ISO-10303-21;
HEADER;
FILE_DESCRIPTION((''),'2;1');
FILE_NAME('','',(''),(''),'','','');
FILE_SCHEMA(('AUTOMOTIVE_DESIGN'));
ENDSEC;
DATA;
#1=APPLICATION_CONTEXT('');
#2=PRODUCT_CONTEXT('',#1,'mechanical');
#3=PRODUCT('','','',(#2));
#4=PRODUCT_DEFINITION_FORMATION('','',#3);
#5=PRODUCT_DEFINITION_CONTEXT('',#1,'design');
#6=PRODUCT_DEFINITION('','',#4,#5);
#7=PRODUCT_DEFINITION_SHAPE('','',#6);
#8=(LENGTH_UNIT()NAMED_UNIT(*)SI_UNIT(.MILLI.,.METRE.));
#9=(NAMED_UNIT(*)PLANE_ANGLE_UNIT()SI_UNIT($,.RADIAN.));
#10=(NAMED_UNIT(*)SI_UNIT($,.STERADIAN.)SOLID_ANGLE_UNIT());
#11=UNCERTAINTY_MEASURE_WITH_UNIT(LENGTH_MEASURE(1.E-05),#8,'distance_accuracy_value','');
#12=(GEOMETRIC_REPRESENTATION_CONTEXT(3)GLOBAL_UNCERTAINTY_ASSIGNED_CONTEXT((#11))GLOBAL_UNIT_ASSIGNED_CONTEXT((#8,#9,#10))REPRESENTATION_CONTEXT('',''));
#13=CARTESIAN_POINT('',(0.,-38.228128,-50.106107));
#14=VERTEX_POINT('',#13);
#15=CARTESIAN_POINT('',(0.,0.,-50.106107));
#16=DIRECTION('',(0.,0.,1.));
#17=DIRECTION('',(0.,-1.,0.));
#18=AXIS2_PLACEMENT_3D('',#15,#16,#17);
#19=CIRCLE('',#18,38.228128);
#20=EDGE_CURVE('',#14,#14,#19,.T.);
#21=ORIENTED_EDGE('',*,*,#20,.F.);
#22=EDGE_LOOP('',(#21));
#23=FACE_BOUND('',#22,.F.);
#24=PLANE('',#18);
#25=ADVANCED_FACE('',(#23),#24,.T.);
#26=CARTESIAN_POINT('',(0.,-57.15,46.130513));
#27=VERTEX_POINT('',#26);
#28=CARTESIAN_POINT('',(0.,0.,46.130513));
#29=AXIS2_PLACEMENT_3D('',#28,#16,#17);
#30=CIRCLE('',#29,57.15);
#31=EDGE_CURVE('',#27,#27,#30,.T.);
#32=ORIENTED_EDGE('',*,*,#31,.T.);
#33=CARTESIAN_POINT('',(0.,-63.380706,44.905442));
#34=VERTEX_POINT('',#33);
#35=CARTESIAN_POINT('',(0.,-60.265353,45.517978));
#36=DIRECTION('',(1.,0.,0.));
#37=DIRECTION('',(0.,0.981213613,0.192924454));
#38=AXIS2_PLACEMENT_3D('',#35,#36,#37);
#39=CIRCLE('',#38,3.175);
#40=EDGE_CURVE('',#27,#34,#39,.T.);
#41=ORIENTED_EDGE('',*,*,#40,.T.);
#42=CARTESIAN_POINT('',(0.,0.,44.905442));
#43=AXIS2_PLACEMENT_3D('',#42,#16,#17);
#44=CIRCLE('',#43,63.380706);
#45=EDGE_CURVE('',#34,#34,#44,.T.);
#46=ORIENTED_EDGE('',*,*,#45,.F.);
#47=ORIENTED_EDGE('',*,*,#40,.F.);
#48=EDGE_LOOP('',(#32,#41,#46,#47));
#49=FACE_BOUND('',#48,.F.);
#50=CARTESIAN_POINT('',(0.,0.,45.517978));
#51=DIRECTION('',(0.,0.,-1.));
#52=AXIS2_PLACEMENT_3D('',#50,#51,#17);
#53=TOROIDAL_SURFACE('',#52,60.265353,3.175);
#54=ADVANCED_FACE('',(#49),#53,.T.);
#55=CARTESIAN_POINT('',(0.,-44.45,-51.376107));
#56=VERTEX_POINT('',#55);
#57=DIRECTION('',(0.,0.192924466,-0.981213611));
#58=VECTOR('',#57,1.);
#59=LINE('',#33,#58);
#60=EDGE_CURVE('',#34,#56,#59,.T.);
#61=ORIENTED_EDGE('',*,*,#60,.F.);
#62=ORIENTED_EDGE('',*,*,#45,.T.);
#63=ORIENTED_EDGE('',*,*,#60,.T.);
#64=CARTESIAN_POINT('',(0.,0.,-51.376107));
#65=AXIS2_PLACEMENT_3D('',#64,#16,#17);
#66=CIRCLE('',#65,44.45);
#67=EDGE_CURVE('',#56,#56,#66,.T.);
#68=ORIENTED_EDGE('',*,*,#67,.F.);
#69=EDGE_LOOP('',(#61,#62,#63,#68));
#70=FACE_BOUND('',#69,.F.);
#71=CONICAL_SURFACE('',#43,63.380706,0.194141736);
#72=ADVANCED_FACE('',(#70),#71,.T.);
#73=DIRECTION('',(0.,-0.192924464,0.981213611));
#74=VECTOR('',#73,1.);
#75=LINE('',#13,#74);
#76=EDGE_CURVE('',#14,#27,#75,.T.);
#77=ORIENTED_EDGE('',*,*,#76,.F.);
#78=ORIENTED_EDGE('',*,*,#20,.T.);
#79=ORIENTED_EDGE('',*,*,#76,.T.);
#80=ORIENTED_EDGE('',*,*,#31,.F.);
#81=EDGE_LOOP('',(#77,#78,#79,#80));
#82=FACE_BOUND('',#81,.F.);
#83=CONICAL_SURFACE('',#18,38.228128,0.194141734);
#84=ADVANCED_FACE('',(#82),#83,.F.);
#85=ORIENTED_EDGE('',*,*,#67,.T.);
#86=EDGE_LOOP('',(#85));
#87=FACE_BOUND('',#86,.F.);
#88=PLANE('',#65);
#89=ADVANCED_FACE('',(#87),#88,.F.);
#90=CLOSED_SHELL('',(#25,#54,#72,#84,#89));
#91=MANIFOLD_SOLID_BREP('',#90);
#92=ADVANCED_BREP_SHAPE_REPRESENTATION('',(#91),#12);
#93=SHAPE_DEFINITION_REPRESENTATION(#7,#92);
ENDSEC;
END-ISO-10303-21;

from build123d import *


with BuildPart() as f1:
    # F0 (on Right) → F1 (revolve)
    with BuildSketch(Plane.YZ):
        with BuildLine():
            ThreePointArc((-57.15, 46.130513), (-60.877888, 48.633331), (-63.380706, 44.905442))
            Line((-63.380706, 44.905442), (-57.15, 46.130513))
        make_face()
        Polygon((-63.380706, 44.905442), (-44.45, -51.376107), (-44.45, -50.106107), (-38.228128, -50.106107), (-57.15, 46.130513), align=None)
        Polygon((-44.45, -51.376107), (0, -51.376107), (0, -50.106107), (-38.228128, -50.106107), (-44.45, -50.106107), align=None)
    revolve(axis=Axis((0, 0, -50.741107), (0, 0, 1)))


solid = f1.part
